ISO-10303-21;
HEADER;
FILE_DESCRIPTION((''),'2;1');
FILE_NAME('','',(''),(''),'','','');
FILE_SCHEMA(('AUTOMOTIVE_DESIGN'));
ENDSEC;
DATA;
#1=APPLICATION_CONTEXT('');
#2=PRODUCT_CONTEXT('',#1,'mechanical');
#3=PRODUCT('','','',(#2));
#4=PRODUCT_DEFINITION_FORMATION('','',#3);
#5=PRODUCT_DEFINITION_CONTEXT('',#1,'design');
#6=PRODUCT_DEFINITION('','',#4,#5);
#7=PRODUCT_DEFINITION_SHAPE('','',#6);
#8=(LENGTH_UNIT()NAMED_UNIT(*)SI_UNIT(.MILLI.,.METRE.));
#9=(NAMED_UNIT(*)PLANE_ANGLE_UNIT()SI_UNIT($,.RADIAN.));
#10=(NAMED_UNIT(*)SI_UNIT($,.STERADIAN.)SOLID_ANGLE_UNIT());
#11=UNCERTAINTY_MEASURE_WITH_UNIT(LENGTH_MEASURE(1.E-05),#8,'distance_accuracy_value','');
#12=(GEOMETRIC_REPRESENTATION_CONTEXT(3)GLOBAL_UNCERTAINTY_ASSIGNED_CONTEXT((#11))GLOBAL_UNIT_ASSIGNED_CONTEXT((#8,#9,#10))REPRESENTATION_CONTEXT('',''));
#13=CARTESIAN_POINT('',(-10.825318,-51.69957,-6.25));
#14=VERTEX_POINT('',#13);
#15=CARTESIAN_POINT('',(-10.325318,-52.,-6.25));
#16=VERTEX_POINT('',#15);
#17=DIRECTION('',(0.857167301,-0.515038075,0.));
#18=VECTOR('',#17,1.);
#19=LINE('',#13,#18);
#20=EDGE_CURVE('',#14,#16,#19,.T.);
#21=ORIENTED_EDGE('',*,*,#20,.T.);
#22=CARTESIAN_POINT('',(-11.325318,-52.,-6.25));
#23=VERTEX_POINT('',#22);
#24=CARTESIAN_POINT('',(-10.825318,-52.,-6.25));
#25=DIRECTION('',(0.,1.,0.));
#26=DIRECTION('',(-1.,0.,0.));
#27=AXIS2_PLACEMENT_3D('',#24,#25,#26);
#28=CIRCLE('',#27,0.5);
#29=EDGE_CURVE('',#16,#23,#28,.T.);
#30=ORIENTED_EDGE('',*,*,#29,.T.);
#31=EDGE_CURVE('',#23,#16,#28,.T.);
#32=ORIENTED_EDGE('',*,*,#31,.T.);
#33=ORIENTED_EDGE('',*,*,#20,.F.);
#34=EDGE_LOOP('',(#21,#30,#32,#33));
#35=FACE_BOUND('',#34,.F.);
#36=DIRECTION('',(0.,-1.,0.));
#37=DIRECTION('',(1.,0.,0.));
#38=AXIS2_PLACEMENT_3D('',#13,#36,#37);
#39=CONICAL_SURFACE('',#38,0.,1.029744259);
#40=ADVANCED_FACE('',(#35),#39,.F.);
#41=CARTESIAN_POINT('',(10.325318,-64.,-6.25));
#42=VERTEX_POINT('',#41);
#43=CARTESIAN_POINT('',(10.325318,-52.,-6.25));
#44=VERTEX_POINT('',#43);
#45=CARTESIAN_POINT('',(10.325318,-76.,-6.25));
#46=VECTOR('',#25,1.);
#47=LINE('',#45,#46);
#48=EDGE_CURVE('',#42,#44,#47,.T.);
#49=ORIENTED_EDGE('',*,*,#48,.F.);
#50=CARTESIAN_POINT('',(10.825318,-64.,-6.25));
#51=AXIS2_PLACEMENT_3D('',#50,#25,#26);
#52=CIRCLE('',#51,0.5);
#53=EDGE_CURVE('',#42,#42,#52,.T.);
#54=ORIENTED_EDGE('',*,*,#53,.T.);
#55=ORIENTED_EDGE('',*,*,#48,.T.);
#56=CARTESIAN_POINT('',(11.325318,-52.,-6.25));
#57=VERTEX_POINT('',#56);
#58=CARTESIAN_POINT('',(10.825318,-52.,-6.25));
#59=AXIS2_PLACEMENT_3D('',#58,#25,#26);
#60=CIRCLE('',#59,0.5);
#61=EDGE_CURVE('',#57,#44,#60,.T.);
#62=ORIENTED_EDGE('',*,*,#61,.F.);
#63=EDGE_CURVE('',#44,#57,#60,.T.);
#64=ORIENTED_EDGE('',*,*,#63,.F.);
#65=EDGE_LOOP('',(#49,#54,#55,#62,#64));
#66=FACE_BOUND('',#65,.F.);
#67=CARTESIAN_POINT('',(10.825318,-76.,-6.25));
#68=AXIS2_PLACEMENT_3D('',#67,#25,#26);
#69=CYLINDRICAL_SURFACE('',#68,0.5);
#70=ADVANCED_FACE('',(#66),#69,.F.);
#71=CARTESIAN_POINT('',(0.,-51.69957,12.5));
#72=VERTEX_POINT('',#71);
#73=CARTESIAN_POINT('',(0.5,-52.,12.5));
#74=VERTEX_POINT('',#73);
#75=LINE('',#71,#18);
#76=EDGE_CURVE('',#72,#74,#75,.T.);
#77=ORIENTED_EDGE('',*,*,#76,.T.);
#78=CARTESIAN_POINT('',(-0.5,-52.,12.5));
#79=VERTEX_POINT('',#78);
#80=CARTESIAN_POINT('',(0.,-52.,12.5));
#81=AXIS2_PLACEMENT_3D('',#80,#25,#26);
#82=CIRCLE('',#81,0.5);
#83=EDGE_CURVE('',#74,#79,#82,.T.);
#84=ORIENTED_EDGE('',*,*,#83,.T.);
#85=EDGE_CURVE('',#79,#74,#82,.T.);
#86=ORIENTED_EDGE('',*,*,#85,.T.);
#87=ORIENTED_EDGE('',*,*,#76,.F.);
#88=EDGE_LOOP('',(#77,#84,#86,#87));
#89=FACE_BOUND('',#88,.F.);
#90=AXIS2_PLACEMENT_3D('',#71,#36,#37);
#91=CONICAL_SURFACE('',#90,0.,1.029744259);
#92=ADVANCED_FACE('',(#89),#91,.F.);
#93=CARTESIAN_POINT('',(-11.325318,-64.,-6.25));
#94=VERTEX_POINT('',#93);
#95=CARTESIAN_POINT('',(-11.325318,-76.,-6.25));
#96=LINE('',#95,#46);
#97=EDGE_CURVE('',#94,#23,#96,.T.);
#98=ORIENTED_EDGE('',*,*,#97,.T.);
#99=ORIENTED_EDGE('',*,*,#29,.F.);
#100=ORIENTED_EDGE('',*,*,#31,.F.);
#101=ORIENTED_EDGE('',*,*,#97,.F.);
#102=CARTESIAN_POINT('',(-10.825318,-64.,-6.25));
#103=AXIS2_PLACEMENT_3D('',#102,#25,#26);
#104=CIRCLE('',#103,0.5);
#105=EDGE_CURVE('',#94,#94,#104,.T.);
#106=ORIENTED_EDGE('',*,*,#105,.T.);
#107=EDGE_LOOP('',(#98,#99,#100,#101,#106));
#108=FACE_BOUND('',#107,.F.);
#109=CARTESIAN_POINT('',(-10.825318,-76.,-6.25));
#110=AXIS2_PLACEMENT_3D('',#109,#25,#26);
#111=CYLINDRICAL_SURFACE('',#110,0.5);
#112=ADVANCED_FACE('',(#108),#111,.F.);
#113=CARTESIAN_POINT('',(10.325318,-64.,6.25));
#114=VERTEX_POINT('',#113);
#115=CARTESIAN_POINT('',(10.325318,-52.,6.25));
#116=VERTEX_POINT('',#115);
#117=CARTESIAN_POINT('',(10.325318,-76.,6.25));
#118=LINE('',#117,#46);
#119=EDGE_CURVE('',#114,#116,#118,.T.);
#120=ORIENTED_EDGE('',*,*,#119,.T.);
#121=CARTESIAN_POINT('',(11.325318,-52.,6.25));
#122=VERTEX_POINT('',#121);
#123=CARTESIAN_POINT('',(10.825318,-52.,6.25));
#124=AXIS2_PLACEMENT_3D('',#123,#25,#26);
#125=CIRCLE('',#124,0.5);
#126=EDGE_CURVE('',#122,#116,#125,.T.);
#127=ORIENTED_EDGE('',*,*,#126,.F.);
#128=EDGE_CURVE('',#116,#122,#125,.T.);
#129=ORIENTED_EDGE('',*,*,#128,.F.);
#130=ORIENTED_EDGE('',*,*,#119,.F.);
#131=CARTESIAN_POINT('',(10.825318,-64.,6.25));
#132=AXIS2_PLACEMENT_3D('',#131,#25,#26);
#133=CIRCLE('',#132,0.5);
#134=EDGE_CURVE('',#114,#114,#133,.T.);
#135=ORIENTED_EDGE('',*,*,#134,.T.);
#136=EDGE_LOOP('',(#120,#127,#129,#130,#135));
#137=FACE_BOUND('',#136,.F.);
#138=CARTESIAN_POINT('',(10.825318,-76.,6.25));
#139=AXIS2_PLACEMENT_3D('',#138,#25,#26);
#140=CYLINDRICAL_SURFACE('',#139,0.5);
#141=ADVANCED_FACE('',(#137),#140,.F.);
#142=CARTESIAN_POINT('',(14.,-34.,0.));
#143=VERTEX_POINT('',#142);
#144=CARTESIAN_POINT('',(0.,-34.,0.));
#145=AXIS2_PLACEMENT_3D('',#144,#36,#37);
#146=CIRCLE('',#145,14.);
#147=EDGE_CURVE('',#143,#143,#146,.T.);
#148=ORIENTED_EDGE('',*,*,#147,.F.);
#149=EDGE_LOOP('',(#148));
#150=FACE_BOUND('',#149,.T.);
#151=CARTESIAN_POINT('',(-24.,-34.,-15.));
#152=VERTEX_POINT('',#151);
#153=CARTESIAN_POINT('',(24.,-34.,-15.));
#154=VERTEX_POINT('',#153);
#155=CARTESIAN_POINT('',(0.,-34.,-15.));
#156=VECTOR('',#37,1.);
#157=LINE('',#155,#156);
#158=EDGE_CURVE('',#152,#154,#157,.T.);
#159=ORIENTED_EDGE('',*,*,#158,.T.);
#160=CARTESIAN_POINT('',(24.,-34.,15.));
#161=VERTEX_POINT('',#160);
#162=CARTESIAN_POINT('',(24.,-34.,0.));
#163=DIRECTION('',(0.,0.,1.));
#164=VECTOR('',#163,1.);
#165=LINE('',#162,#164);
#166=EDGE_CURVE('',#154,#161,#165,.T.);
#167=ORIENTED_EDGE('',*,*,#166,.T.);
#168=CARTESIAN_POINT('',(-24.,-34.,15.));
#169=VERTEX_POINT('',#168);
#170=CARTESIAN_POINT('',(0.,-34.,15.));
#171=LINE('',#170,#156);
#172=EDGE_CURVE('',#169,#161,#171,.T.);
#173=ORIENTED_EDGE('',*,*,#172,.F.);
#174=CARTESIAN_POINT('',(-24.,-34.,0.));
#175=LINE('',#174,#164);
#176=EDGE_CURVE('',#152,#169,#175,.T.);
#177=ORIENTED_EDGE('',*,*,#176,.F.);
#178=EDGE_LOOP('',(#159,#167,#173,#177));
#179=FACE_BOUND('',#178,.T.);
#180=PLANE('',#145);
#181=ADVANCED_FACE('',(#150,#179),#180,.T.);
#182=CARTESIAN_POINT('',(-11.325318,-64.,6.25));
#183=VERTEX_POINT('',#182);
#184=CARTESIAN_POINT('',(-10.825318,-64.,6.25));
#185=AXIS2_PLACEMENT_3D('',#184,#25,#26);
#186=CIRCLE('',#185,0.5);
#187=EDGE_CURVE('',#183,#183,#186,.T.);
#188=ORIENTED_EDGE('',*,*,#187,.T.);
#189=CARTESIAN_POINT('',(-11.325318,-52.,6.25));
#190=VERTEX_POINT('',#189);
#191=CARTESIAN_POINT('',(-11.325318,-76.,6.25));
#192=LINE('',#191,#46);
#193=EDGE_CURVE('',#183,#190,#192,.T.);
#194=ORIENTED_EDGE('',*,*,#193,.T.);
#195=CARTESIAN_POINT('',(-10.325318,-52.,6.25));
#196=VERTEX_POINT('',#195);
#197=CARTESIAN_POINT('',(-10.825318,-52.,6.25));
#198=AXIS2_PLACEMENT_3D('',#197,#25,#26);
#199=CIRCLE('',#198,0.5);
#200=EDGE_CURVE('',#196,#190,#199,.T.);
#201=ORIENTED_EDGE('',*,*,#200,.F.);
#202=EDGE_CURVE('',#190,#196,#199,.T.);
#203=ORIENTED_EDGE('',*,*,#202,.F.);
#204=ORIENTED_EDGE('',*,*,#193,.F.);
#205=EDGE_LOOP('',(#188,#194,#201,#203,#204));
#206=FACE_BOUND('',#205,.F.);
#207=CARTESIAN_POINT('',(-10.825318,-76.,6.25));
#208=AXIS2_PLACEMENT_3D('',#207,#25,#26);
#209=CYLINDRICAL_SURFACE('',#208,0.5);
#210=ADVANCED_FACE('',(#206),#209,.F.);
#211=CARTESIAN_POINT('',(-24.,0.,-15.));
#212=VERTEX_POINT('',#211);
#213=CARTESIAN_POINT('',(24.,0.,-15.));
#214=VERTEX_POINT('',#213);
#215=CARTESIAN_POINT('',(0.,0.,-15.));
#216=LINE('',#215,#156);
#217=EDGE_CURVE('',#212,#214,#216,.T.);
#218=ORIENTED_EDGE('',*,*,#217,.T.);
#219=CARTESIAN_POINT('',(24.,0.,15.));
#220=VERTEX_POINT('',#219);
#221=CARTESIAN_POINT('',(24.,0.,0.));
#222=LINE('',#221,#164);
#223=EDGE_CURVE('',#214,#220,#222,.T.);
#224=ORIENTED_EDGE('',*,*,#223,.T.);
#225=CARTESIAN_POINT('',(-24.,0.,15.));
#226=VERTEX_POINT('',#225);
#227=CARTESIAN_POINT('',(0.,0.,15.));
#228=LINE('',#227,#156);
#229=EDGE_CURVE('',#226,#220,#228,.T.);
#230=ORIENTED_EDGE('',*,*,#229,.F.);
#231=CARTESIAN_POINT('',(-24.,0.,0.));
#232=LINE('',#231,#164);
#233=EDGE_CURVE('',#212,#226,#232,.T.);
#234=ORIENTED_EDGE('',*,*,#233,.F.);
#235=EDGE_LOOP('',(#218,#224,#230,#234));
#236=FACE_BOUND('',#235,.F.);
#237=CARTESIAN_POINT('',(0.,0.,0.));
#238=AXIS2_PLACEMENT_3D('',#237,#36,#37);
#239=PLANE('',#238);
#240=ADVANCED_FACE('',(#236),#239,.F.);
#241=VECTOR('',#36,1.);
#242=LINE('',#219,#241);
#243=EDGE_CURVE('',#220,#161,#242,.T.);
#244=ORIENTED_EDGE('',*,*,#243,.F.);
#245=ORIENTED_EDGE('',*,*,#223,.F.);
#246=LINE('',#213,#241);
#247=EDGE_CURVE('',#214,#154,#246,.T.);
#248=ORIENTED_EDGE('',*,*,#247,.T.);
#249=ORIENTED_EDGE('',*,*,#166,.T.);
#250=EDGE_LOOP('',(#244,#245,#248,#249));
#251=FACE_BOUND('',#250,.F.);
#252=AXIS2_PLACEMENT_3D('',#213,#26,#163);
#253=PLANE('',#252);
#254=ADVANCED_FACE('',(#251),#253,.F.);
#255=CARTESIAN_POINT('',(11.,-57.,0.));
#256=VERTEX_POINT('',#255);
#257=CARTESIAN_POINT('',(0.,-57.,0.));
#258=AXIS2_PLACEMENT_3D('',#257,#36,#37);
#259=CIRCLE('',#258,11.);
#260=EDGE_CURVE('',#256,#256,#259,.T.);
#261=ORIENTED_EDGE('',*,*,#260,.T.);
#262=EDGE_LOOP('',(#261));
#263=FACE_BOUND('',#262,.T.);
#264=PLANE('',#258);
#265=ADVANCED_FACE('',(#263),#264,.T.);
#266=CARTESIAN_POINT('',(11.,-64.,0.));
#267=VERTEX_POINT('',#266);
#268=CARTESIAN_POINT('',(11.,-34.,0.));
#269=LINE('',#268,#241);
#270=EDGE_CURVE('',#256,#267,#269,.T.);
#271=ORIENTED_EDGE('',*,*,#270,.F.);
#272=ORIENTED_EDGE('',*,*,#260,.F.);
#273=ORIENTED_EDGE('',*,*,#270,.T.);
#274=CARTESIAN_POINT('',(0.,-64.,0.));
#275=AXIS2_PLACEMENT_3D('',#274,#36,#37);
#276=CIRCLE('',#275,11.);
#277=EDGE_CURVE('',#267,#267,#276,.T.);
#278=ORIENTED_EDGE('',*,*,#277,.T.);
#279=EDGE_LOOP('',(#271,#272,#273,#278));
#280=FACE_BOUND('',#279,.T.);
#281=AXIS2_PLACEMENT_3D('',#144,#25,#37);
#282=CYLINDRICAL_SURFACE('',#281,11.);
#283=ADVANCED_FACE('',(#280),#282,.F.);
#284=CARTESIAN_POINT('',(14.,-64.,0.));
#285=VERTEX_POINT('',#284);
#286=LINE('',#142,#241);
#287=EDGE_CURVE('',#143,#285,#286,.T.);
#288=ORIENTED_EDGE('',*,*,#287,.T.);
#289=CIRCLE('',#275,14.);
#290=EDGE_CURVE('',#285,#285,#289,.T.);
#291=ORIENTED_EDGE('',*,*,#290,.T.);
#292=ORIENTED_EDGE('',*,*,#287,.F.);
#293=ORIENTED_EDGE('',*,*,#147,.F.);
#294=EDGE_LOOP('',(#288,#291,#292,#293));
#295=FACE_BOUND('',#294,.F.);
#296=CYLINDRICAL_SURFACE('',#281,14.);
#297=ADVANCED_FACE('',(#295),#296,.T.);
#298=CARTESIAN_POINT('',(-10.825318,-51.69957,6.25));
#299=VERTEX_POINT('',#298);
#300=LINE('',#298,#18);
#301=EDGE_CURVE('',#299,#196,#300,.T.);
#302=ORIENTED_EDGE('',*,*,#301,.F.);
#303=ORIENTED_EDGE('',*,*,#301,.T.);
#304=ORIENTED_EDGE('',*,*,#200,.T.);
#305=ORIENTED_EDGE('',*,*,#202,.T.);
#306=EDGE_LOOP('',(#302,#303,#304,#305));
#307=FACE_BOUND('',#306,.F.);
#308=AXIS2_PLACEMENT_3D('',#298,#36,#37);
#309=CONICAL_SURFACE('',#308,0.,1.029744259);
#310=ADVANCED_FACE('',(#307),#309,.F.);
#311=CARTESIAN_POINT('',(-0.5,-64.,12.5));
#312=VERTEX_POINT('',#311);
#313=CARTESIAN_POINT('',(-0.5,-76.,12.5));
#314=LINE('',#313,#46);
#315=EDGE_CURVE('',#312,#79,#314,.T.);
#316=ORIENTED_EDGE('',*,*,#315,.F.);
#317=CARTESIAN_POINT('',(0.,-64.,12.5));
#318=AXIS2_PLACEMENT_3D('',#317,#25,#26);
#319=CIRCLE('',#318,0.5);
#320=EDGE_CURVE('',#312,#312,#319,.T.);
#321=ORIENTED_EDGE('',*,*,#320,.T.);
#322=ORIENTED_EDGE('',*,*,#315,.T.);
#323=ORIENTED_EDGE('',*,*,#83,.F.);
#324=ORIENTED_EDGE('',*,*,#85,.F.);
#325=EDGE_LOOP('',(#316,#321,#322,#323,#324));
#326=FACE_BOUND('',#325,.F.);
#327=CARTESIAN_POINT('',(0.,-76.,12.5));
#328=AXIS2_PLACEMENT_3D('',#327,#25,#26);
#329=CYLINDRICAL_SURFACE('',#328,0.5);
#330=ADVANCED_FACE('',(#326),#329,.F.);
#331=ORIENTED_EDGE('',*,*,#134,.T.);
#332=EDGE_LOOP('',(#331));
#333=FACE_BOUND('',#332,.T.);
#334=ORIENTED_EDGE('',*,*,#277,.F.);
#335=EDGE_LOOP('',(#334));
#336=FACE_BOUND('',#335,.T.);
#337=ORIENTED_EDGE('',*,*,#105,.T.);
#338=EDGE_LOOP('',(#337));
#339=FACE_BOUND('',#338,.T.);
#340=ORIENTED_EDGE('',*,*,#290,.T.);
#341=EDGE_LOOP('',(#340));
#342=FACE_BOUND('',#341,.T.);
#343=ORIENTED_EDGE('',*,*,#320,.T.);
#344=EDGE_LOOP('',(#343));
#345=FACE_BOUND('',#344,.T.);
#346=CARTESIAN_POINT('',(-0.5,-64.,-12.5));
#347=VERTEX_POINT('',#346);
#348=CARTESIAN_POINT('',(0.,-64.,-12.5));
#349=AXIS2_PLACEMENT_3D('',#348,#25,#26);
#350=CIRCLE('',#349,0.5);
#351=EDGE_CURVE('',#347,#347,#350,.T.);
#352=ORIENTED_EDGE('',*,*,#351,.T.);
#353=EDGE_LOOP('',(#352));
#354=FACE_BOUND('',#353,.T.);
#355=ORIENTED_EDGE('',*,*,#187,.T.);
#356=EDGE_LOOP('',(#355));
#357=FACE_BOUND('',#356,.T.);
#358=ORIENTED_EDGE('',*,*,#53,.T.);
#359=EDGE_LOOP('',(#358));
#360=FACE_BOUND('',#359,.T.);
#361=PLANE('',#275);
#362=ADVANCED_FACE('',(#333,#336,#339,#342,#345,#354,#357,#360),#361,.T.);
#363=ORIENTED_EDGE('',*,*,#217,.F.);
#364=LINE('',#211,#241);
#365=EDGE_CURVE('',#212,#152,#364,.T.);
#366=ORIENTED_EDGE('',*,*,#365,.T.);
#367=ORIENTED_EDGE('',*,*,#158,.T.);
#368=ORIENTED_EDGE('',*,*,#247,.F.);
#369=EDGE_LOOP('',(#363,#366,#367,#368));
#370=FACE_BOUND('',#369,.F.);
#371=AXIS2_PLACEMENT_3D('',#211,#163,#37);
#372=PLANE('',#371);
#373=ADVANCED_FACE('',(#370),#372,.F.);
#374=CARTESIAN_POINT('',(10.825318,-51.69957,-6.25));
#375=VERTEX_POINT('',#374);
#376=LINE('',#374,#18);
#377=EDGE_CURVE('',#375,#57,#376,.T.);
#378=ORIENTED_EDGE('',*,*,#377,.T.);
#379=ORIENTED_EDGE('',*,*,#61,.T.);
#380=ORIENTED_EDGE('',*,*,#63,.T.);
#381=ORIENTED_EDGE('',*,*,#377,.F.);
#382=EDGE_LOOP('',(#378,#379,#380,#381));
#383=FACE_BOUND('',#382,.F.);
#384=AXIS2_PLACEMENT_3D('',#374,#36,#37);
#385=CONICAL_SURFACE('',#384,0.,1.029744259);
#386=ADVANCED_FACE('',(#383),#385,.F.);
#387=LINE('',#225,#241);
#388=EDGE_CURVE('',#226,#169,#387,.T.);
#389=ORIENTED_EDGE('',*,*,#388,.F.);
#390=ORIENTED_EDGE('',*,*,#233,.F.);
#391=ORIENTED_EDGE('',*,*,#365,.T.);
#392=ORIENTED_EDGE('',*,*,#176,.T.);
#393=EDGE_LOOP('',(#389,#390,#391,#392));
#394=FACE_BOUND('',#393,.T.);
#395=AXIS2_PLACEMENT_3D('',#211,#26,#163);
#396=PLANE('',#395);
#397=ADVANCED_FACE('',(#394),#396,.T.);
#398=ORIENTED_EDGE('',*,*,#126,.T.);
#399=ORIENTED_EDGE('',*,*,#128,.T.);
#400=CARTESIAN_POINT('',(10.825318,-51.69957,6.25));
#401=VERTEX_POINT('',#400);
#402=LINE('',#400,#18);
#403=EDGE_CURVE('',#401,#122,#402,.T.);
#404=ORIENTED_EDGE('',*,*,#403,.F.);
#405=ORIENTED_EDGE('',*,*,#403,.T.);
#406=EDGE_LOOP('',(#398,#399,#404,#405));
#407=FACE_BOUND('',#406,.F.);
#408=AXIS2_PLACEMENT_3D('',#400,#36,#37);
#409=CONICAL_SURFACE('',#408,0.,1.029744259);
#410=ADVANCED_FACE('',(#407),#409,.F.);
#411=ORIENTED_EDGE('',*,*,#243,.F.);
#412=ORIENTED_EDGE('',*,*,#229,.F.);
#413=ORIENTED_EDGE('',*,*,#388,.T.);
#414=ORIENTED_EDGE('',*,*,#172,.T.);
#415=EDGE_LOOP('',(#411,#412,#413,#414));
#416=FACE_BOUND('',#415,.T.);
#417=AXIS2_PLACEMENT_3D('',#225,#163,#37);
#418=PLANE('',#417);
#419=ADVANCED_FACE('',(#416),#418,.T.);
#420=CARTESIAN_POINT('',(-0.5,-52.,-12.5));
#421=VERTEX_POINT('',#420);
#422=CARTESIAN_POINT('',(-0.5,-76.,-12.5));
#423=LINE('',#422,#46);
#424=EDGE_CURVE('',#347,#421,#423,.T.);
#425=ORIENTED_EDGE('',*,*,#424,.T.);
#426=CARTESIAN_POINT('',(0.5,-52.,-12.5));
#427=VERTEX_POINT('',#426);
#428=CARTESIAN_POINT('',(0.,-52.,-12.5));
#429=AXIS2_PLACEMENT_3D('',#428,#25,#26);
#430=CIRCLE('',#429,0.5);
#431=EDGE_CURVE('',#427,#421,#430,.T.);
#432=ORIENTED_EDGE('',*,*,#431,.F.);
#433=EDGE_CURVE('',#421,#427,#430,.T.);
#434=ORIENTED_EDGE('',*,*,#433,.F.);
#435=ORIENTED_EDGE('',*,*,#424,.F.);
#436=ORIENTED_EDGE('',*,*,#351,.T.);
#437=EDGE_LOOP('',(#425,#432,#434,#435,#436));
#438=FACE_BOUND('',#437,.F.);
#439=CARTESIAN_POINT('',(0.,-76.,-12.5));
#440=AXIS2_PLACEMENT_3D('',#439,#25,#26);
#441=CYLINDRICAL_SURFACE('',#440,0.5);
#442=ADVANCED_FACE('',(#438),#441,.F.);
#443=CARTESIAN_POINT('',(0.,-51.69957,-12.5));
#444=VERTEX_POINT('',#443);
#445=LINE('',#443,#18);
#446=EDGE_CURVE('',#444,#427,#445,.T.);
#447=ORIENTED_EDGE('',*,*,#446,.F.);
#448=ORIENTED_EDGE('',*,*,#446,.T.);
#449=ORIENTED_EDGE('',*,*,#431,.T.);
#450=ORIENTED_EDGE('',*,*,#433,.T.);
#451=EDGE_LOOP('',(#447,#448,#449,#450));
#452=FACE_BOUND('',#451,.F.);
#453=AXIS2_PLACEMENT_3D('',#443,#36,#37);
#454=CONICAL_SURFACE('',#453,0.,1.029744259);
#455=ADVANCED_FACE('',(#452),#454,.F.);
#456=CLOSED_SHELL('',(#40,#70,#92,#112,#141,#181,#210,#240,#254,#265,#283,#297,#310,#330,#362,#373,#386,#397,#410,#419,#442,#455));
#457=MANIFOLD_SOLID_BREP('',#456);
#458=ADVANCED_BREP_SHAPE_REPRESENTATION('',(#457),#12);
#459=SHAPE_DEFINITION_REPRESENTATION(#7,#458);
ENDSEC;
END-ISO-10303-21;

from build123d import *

# Parameters (mm, degrees)
F0_W     = 48
F0_H     = 30
F1_DEPTH = 34
F2_R     = 14
F2_R_2   = 11
F3_DEPTH = 30
F4_DEPTH = 23
F6_D     = 1
F6_DEPTH = 12
F6_TIP   = 0.3004303095


with BuildPart() as f1:
    # F0 (on Front) → F1 (new body)
    with BuildSketch(Plane.XZ):
        Rectangle(F0_W, F0_H)
    extrude(amount=F1_DEPTH)

    # F2 (on face) → F3 (join)
    with BuildSketch(Plane.XZ.offset(34)):
        Circle(F2_R)
        Circle(F2_R_2, mode=Mode.SUBTRACT)
    extrude(amount=F3_DEPTH)

    # F4 (add): a face of the model
    f4_faces = [f1.faces().sort_by_distance(p)[0] for p in [
        (0, -34, 0),
    ]]
    extrude(f4_faces, amount=F4_DEPTH)

    # F6
    with Locations(Plane.XZ.offset(64)):
        with Locations((0, 12.5), (-10.8253175473, 6.25), (-10.8253175473, -6.25), (0, -12.5), (10.8253175473, -6.25), (10.8253175473, 6.25)):
            Hole(F6_D / 2, depth=F6_DEPTH)
            with Locations((0, 0, -(F6_DEPTH + F6_TIP / 2))):  # 118° drill point
                Cone(0, F6_D / 2, F6_TIP, mode=Mode.SUBTRACT)


solid = f1.part
